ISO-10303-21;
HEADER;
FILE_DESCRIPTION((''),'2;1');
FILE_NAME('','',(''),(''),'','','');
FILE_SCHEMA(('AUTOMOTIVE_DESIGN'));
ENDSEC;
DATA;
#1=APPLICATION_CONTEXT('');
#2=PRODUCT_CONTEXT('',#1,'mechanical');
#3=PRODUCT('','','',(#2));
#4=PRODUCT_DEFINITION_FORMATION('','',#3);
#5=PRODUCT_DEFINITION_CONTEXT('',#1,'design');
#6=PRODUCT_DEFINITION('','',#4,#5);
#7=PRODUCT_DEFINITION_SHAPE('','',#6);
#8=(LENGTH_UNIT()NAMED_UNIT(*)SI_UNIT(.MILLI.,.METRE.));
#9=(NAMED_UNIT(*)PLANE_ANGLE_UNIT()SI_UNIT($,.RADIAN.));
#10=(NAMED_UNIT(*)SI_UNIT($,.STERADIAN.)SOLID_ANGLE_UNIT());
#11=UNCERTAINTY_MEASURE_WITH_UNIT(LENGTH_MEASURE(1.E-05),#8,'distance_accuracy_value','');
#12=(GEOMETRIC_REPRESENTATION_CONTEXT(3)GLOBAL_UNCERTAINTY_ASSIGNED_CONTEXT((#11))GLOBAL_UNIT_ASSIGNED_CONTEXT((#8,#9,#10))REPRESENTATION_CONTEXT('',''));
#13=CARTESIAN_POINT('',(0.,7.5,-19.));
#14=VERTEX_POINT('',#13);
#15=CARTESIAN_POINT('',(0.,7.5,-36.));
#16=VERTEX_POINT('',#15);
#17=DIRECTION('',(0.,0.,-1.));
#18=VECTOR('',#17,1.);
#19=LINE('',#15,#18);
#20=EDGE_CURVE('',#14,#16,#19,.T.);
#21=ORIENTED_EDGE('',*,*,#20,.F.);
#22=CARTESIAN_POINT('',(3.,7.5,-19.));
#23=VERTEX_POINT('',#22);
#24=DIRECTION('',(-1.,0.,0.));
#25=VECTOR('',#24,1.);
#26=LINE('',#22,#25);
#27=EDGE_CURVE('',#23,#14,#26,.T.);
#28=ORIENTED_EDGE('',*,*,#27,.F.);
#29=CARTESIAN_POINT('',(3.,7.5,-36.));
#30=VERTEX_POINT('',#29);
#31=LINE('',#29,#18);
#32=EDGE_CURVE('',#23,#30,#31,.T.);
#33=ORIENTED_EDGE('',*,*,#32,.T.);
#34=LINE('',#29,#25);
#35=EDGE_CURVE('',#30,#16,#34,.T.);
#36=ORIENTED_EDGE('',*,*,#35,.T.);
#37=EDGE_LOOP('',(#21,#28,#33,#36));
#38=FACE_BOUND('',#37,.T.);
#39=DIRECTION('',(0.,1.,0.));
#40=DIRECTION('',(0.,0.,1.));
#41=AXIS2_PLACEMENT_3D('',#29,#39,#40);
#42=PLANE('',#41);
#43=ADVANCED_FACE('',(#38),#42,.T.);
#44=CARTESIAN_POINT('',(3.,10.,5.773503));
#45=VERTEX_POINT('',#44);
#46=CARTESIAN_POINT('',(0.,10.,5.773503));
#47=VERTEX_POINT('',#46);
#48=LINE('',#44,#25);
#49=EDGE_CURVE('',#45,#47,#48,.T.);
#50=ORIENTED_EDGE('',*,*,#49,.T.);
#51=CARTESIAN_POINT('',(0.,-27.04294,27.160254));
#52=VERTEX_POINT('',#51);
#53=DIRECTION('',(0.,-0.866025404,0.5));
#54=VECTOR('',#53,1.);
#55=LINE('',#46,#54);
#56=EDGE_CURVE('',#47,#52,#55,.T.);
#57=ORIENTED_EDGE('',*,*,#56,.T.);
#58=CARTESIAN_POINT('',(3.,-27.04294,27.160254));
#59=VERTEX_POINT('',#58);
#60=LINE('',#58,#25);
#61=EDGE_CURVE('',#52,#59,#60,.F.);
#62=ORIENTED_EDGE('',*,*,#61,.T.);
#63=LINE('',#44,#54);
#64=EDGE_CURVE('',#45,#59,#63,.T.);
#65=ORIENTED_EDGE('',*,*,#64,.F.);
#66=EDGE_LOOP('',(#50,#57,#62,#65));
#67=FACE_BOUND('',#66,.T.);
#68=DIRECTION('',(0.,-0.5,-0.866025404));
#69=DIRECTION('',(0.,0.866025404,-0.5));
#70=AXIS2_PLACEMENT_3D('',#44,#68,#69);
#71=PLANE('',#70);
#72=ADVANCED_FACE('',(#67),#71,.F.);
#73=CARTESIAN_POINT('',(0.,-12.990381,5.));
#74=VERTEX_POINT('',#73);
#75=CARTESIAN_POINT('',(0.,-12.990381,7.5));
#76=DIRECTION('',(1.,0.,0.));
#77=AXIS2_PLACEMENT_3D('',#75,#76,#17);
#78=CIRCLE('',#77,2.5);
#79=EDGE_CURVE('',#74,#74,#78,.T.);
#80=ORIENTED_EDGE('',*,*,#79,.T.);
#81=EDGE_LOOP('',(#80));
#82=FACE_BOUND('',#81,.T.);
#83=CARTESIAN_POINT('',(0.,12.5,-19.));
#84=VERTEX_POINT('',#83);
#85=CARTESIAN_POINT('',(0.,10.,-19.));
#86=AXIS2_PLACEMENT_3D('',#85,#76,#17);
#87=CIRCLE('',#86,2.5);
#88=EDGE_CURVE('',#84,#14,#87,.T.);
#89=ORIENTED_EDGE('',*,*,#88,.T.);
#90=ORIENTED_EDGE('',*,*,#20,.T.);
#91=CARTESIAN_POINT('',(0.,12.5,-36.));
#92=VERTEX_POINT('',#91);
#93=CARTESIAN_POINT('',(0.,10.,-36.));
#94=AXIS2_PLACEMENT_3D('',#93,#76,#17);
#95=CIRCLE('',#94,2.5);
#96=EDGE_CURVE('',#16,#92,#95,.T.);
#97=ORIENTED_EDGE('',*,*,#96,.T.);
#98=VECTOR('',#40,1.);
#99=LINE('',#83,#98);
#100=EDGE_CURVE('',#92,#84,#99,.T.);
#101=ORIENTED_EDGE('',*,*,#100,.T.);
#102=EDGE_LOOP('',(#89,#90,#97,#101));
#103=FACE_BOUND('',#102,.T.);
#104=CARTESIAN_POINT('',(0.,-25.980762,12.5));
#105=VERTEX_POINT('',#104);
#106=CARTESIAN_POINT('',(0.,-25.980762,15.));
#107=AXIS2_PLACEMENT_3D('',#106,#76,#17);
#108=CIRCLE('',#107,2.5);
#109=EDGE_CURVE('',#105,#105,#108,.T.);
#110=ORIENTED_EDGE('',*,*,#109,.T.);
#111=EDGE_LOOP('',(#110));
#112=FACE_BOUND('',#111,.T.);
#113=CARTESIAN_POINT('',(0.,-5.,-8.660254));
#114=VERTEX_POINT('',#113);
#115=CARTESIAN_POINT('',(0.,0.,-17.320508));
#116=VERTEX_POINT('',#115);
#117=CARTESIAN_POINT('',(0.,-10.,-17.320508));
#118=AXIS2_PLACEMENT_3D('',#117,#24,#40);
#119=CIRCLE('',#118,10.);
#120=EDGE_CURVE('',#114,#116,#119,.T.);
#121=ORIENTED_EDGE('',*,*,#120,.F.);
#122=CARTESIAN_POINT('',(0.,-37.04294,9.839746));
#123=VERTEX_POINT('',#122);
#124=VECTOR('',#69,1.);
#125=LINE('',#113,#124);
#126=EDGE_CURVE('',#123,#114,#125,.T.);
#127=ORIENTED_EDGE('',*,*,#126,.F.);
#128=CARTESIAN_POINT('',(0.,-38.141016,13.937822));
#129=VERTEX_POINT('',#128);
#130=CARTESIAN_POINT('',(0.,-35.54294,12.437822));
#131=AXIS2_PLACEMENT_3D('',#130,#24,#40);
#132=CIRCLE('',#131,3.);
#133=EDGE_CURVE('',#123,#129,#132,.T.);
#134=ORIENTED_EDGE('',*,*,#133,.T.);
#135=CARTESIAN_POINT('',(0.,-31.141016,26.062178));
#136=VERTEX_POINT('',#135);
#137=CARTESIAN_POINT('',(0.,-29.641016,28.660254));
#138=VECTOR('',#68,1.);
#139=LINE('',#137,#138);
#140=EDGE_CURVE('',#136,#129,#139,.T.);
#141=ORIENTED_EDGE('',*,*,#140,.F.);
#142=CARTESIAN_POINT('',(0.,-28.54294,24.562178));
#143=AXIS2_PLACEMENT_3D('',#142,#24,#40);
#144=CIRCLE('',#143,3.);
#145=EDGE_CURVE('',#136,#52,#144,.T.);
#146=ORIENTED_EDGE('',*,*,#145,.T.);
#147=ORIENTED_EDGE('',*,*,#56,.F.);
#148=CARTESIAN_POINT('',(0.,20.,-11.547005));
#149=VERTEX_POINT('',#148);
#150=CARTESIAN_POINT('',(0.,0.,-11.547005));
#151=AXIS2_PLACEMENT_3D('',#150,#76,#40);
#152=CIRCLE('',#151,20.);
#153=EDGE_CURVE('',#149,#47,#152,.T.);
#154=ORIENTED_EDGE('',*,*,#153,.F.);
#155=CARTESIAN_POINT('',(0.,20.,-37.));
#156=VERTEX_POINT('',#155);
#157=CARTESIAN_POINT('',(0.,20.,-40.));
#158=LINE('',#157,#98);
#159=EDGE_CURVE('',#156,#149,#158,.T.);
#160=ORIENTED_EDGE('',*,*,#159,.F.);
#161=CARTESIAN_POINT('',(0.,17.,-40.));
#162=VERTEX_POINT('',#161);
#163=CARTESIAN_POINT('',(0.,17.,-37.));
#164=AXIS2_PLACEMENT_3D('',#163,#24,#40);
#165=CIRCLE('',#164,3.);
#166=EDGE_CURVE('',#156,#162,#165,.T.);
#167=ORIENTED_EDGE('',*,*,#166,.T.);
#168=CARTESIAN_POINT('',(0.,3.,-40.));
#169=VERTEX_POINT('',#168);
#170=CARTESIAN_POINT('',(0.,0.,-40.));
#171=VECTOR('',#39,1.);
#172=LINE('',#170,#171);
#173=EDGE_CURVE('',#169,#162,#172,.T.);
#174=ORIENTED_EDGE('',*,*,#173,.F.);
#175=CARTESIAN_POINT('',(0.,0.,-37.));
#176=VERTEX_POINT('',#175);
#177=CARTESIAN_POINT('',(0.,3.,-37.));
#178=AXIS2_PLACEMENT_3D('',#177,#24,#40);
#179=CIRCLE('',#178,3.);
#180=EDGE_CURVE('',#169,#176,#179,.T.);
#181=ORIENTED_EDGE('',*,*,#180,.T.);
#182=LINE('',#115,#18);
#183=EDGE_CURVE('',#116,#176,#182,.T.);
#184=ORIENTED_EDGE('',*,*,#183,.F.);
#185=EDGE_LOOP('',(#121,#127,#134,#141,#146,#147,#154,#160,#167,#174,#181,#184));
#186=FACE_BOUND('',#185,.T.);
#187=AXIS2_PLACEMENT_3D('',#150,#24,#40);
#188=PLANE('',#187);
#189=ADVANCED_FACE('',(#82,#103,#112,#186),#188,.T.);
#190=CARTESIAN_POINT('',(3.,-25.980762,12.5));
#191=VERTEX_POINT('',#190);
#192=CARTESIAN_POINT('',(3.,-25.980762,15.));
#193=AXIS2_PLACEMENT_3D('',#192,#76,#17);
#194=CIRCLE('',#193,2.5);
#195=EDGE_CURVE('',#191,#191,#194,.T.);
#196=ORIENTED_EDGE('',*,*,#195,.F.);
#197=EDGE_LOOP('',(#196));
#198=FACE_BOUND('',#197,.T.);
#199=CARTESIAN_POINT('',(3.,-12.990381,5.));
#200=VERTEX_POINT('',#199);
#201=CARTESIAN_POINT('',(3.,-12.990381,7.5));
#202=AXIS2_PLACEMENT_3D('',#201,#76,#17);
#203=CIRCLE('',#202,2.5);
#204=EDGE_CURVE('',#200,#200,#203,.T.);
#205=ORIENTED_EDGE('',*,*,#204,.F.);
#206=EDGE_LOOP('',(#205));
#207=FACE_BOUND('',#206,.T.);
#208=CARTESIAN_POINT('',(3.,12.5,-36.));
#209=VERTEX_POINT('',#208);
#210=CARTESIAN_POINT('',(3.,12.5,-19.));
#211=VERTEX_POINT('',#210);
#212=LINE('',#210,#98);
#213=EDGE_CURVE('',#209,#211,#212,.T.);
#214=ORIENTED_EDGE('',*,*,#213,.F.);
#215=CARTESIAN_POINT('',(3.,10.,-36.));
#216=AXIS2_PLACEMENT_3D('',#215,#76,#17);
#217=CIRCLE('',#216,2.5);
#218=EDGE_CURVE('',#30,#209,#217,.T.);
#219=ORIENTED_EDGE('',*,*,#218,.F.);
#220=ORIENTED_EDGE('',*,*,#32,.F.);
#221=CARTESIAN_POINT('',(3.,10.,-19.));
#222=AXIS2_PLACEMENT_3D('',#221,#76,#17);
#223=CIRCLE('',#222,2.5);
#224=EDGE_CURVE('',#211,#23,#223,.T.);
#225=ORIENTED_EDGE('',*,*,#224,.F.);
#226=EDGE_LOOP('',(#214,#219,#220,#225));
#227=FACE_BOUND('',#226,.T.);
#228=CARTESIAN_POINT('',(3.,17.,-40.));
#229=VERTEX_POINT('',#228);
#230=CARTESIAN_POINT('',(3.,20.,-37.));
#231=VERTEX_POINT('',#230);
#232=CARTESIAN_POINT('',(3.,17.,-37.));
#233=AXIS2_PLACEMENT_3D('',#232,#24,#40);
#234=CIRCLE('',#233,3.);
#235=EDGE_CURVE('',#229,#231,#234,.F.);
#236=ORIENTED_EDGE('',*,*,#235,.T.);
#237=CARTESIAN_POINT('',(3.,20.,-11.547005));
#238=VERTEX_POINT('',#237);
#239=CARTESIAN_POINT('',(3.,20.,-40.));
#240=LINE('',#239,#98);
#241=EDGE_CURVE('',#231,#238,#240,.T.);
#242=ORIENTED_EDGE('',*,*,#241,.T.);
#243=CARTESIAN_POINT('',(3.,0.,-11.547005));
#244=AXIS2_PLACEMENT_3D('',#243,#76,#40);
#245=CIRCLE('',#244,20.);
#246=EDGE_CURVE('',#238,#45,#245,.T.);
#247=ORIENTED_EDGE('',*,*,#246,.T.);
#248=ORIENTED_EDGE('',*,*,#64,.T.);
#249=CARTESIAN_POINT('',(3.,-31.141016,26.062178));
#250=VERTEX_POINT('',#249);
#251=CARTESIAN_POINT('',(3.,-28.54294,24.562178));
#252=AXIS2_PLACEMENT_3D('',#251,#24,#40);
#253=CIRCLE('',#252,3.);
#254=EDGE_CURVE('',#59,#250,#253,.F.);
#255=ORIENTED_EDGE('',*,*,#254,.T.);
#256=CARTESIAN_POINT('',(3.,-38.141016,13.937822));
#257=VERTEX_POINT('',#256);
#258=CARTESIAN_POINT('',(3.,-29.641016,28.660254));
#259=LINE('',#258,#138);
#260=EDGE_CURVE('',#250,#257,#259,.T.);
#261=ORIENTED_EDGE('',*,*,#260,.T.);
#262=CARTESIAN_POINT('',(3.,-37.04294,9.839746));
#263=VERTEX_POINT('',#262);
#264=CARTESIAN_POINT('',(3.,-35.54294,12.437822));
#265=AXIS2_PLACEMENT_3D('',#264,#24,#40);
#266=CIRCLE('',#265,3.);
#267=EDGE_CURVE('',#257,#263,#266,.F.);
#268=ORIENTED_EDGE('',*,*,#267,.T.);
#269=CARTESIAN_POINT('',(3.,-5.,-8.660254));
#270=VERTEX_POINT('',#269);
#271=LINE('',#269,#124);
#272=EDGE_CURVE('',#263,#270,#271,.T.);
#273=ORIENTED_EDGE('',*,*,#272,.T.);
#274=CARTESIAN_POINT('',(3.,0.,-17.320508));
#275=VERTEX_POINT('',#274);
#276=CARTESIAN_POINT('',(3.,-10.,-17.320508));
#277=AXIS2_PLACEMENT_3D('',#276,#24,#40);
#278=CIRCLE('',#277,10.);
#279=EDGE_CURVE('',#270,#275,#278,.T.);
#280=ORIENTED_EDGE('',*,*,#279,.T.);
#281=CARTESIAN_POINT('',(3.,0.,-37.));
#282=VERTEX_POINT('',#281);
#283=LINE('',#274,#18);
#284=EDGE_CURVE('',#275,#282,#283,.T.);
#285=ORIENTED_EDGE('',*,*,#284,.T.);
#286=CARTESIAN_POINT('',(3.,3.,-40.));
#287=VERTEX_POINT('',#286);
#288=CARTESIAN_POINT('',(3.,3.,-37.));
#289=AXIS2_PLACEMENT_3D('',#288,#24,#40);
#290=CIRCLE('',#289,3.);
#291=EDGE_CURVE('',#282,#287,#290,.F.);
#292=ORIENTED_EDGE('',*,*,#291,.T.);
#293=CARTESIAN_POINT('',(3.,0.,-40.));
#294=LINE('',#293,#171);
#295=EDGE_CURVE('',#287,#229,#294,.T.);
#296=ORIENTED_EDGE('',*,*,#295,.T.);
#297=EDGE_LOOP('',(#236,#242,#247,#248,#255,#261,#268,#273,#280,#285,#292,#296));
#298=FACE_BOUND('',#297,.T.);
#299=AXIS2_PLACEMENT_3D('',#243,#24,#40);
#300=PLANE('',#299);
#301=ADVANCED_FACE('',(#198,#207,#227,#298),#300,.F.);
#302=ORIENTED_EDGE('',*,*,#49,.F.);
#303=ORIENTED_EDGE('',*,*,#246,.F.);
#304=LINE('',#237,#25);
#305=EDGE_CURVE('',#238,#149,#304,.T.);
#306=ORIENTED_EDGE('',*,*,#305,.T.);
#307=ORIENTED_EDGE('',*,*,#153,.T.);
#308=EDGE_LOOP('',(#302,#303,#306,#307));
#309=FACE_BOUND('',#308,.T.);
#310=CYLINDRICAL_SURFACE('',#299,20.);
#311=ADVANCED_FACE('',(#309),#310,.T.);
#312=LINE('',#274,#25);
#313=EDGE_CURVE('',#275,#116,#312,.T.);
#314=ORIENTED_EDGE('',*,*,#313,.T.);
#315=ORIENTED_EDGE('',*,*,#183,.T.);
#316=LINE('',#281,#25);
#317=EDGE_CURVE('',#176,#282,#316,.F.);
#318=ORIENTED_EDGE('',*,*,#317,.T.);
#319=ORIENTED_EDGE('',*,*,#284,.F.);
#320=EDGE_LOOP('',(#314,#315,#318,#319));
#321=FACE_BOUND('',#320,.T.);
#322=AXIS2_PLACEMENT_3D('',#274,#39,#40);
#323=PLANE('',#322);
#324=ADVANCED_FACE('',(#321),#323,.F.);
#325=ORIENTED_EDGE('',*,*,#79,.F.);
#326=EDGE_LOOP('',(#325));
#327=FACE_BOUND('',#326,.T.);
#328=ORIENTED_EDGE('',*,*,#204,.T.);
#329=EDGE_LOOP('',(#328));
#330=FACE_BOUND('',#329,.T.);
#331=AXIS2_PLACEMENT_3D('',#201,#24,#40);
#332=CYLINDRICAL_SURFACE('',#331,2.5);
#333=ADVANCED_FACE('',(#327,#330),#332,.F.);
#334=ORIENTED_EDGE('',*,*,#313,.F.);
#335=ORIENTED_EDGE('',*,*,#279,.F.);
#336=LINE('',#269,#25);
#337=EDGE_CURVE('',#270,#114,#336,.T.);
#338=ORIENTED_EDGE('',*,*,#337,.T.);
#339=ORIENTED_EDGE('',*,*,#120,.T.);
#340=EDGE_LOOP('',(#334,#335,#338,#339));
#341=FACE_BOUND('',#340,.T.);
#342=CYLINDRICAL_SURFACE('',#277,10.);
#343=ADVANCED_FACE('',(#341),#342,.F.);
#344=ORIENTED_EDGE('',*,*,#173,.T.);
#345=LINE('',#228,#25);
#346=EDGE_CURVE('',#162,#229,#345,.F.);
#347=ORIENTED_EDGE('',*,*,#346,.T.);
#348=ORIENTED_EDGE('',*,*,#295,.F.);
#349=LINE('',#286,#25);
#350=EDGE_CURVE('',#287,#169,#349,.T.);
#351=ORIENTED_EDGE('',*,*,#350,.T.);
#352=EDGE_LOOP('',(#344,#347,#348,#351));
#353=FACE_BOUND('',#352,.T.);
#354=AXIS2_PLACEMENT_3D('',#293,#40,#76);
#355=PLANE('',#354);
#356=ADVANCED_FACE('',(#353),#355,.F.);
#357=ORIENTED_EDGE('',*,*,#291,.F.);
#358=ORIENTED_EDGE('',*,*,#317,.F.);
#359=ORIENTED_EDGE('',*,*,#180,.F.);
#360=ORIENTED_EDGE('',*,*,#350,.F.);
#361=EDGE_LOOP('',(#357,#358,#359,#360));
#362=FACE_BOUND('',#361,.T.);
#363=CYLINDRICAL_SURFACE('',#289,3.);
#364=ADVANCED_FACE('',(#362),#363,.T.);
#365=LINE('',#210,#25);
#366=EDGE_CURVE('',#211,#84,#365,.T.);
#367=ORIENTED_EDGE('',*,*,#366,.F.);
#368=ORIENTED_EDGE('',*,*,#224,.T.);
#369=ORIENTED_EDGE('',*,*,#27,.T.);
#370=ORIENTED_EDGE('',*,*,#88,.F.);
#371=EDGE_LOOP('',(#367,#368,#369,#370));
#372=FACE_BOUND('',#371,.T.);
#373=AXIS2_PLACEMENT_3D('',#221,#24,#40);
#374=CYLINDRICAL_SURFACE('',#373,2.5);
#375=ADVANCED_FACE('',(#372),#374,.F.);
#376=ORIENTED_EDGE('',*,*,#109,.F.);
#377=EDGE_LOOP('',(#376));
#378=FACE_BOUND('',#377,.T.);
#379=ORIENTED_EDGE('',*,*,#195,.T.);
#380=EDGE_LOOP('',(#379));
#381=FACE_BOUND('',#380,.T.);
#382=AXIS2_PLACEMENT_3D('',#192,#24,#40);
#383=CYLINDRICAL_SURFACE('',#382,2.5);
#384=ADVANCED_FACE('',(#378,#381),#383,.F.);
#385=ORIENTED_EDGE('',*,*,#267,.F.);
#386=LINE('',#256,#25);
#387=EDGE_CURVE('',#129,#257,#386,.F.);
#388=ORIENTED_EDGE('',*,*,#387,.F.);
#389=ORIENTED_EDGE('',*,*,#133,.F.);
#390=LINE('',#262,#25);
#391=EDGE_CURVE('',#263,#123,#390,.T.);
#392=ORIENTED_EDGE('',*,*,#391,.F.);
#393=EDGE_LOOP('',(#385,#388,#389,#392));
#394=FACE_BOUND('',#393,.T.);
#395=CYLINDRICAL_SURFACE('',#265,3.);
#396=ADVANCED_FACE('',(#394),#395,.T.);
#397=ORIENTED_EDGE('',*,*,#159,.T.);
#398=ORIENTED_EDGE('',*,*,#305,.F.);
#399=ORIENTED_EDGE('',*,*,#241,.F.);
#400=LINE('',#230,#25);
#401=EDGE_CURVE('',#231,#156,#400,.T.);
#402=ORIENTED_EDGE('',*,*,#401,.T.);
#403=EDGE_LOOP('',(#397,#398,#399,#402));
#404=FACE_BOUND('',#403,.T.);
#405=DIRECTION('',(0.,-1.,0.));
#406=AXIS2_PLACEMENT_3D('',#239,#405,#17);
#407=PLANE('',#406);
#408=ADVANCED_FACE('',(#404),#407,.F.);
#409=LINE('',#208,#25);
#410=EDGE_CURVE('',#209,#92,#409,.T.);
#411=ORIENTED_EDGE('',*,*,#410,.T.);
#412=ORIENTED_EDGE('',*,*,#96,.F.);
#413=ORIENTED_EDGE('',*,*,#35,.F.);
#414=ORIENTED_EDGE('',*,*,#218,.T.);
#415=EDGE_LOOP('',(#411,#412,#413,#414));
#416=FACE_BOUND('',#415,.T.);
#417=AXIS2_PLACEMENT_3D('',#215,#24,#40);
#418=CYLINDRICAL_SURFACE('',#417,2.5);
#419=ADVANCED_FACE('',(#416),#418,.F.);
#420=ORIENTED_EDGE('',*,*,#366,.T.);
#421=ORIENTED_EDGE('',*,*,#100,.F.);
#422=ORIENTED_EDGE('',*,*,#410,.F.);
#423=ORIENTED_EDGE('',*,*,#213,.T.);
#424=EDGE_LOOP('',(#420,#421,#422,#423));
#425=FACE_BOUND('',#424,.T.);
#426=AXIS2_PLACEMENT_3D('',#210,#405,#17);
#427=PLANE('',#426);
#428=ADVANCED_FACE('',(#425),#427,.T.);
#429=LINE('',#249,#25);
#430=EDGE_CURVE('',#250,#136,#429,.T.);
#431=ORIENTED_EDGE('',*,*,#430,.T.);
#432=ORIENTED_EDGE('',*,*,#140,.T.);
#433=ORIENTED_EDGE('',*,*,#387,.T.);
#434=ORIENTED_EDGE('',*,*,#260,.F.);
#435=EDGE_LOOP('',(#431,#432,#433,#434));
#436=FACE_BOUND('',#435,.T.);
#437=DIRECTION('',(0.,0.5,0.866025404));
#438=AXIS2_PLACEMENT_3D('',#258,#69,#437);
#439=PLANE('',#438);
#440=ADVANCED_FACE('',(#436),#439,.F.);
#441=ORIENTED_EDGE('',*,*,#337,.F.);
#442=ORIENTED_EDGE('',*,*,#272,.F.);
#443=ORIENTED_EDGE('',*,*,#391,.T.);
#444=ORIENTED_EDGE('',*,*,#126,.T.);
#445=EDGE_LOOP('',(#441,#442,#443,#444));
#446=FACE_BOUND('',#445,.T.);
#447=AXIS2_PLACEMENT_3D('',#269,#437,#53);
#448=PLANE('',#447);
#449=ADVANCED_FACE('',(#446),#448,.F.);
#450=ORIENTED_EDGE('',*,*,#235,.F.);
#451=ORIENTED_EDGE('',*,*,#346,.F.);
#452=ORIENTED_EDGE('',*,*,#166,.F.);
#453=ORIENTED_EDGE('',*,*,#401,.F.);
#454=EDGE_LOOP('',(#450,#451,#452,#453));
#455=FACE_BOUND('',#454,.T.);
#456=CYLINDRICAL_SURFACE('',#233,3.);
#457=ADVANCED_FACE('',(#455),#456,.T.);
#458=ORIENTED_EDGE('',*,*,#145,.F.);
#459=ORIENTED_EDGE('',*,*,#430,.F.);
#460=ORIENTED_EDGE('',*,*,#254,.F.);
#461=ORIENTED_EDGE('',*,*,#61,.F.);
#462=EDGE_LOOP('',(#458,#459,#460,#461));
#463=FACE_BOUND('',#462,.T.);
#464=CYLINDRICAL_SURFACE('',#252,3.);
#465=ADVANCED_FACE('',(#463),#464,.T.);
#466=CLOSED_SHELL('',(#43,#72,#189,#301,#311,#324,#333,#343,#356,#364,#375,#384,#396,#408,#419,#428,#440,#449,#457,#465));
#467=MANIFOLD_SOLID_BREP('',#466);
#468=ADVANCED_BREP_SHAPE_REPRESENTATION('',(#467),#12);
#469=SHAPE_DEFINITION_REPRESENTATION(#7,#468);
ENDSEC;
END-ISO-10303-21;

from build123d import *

# Parameters (mm, degrees)
SKETCH1_R           = 2.5
BOSS_EXTRUDE1_DEPTH = 3
FILLET1_R           = 3


with BuildPart() as part:
    # Sketch1 → Boss-Extrude1 (new body)
    with BuildSketch(Plane(origin=(0, 0, 0), x_dir=(0, 0, -1), z_dir=(1, 0, 0))):
        with BuildLine():
            Line((17.320508076, 0), (40, 0))
            Line((40, 0), (40, 20))
            Line((40, 20), (11.547005384, 20))
            ThreePointArc((11.547005384, 20), (1.547005384, 17.320508076), (-5.773502692, 10))
            Line((-5.773502692, 10), (-28.660254038, -29.641016151))
            Line((-28.660254038, -29.641016151), (-11.339745962, -39.641016151))
            Line((-11.339745962, -39.641016151), (8.660254038, -5))
            ThreePointArc((8.660254038, -5), (12.320508076, -1.339745962), (17.320508076, 0))
        make_face()
        with Locations((-15, -25.980762114)):
            Circle(SKETCH1_R, mode=Mode.SUBTRACT)
        with Locations((-7.5, -12.990381057)):
            Circle(SKETCH1_R, mode=Mode.SUBTRACT)
        with BuildLine():
            Line((19, 12.5), (36, 12.5))
            ThreePointArc((36, 12.5), (38.5, 10), (36, 7.5))
            Line((36, 7.5), (19, 7.5))
            ThreePointArc((19, 7.5), (16.5, 10), (19, 12.5))
        make_face(mode=Mode.SUBTRACT)
    extrude(amount=BOSS_EXTRUDE1_DEPTH)

    # Fillet1
    fillet1_edges = [part.edges().sort_by_distance(p)[0] for p in [
        (1.5, 0, -40),
        (1.5, -39.641016151, 11.339745962),
        (1.5, -29.641016151, 28.660254038),
        (1.5, 20, -40),
    ]]
    fillet(fillet1_edges, radius=FILLET1_R)


solid = part.part
